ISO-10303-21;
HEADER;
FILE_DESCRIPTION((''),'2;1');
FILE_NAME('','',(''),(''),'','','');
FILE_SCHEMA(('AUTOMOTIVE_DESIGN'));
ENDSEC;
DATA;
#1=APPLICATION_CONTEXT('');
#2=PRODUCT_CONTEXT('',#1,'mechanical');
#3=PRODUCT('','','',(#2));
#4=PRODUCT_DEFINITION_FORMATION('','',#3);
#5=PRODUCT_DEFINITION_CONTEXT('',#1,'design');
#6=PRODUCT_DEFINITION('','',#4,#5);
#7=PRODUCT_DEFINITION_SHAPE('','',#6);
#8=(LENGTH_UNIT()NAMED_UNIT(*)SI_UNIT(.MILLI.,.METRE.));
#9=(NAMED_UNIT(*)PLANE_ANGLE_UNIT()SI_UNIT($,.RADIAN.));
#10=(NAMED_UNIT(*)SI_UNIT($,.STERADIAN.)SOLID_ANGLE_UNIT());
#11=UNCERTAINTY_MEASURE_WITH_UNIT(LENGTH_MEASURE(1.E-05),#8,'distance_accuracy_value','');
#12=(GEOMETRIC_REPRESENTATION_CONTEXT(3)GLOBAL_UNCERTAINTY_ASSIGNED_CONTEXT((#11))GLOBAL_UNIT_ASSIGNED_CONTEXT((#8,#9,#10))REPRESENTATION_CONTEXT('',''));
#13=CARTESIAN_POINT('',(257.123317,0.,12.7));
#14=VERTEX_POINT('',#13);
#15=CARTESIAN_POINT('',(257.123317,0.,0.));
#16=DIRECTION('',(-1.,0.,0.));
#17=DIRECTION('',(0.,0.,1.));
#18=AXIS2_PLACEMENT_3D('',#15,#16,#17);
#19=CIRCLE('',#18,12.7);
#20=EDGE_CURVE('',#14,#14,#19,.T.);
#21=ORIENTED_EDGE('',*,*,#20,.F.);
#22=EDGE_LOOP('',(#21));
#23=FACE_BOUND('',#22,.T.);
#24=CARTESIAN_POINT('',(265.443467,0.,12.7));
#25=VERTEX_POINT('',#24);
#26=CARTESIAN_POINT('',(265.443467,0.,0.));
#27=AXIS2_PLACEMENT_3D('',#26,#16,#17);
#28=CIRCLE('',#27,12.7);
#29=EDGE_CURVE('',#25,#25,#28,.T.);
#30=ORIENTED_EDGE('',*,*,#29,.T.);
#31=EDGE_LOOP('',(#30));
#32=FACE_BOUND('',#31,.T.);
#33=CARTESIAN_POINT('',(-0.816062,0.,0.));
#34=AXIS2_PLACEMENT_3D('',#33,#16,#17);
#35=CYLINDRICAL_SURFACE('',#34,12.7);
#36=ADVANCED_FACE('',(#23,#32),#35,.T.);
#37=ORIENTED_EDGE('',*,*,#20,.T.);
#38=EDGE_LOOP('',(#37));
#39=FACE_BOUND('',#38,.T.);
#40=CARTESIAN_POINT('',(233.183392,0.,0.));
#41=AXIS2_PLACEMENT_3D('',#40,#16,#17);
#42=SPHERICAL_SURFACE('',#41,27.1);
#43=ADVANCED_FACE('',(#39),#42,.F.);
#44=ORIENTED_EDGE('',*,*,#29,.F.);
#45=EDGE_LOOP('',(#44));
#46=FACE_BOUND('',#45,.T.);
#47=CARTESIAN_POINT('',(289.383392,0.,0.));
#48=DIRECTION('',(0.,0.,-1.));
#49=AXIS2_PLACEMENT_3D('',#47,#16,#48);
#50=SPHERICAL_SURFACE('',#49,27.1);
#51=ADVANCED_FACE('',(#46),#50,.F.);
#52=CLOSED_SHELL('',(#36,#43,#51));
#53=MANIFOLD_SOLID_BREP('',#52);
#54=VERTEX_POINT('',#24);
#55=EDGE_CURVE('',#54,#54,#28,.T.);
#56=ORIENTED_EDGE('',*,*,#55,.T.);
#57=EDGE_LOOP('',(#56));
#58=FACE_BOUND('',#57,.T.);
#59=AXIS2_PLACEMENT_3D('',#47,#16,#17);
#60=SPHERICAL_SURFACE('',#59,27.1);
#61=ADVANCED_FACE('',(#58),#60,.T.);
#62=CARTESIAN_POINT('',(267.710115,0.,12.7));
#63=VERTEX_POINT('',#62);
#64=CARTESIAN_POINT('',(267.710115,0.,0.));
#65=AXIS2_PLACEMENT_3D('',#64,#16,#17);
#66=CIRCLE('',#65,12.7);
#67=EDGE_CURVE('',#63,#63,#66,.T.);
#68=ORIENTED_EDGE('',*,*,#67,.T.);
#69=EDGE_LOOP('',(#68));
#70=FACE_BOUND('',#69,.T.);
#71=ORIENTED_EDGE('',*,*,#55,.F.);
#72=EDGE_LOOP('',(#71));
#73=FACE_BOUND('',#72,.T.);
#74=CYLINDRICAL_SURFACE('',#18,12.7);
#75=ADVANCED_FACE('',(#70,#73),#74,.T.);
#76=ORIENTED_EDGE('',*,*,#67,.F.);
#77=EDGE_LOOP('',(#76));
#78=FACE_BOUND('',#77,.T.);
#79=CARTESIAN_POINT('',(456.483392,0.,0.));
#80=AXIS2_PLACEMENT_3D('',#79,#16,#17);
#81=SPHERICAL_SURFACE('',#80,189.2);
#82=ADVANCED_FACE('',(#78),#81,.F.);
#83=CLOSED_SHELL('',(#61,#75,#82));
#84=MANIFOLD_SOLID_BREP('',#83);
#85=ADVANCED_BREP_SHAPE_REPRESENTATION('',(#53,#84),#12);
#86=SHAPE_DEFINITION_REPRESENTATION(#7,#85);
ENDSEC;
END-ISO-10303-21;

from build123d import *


with BuildPart() as part:
    # 草图1 one side → 旋转1 (revolve)
    with BuildSketch(Plane(origin=(0, 0, 0), x_dir=(1, 0, 0), z_dir=(0, 1, 0)), mode=Mode.PRIVATE) as revolve_1_sk:
        with BuildLine():
            Line((265.443466943, 12.7), (257.123316567, 12.7))
            ThreePointArc((257.123316567, 12.7), (259.481509201, 6.543624286), (260.283391755, 0))
            Line((260.283391755, 0), (262.283391755, 0))
            ThreePointArc((262.283391755, 0), (263.085274309, 6.543624286), (265.443466943, 12.7))
        make_face()
    revolve(revolve_1_sk.sketch.rotate(Axis((-0.816062176, 0, 0), (1, 0, 0)), 180), axis=Axis((-0.816062176, 0, 0), (1, 0, 0)))  # turned: the seam where the file's is


with BuildPart() as body_2:
    # 草图2 one side → 旋转3 (revolve)
    with BuildSketch(Plane(origin=(0, 0, 0), x_dir=(1, 0, 0), z_dir=(0, 1, 0)), mode=Mode.PRIVATE) as revolve_3_sk:
        with BuildLine():
            Line((267.710115045, 12.7), (265.443466943, 12.7))
            ThreePointArc((265.443466943, 12.7), (263.085274309, 6.543624286), (262.283391755, 0))
            Line((262.283391755, 0), (267.283391755, 0))
            ThreePointArc((267.283391755, 0), (267.390102671, 6.353583492), (267.710115045, 12.7))
        make_face()
    revolve(revolve_3_sk.sketch.rotate(Axis((257.123316567, 0, 0), (1, 0, 0)), 180), axis=Axis((257.123316567, 0, 0), (1, 0, 0)))  # turned: the seam where the file's is


solid = Compound([part.part, body_2.part])
